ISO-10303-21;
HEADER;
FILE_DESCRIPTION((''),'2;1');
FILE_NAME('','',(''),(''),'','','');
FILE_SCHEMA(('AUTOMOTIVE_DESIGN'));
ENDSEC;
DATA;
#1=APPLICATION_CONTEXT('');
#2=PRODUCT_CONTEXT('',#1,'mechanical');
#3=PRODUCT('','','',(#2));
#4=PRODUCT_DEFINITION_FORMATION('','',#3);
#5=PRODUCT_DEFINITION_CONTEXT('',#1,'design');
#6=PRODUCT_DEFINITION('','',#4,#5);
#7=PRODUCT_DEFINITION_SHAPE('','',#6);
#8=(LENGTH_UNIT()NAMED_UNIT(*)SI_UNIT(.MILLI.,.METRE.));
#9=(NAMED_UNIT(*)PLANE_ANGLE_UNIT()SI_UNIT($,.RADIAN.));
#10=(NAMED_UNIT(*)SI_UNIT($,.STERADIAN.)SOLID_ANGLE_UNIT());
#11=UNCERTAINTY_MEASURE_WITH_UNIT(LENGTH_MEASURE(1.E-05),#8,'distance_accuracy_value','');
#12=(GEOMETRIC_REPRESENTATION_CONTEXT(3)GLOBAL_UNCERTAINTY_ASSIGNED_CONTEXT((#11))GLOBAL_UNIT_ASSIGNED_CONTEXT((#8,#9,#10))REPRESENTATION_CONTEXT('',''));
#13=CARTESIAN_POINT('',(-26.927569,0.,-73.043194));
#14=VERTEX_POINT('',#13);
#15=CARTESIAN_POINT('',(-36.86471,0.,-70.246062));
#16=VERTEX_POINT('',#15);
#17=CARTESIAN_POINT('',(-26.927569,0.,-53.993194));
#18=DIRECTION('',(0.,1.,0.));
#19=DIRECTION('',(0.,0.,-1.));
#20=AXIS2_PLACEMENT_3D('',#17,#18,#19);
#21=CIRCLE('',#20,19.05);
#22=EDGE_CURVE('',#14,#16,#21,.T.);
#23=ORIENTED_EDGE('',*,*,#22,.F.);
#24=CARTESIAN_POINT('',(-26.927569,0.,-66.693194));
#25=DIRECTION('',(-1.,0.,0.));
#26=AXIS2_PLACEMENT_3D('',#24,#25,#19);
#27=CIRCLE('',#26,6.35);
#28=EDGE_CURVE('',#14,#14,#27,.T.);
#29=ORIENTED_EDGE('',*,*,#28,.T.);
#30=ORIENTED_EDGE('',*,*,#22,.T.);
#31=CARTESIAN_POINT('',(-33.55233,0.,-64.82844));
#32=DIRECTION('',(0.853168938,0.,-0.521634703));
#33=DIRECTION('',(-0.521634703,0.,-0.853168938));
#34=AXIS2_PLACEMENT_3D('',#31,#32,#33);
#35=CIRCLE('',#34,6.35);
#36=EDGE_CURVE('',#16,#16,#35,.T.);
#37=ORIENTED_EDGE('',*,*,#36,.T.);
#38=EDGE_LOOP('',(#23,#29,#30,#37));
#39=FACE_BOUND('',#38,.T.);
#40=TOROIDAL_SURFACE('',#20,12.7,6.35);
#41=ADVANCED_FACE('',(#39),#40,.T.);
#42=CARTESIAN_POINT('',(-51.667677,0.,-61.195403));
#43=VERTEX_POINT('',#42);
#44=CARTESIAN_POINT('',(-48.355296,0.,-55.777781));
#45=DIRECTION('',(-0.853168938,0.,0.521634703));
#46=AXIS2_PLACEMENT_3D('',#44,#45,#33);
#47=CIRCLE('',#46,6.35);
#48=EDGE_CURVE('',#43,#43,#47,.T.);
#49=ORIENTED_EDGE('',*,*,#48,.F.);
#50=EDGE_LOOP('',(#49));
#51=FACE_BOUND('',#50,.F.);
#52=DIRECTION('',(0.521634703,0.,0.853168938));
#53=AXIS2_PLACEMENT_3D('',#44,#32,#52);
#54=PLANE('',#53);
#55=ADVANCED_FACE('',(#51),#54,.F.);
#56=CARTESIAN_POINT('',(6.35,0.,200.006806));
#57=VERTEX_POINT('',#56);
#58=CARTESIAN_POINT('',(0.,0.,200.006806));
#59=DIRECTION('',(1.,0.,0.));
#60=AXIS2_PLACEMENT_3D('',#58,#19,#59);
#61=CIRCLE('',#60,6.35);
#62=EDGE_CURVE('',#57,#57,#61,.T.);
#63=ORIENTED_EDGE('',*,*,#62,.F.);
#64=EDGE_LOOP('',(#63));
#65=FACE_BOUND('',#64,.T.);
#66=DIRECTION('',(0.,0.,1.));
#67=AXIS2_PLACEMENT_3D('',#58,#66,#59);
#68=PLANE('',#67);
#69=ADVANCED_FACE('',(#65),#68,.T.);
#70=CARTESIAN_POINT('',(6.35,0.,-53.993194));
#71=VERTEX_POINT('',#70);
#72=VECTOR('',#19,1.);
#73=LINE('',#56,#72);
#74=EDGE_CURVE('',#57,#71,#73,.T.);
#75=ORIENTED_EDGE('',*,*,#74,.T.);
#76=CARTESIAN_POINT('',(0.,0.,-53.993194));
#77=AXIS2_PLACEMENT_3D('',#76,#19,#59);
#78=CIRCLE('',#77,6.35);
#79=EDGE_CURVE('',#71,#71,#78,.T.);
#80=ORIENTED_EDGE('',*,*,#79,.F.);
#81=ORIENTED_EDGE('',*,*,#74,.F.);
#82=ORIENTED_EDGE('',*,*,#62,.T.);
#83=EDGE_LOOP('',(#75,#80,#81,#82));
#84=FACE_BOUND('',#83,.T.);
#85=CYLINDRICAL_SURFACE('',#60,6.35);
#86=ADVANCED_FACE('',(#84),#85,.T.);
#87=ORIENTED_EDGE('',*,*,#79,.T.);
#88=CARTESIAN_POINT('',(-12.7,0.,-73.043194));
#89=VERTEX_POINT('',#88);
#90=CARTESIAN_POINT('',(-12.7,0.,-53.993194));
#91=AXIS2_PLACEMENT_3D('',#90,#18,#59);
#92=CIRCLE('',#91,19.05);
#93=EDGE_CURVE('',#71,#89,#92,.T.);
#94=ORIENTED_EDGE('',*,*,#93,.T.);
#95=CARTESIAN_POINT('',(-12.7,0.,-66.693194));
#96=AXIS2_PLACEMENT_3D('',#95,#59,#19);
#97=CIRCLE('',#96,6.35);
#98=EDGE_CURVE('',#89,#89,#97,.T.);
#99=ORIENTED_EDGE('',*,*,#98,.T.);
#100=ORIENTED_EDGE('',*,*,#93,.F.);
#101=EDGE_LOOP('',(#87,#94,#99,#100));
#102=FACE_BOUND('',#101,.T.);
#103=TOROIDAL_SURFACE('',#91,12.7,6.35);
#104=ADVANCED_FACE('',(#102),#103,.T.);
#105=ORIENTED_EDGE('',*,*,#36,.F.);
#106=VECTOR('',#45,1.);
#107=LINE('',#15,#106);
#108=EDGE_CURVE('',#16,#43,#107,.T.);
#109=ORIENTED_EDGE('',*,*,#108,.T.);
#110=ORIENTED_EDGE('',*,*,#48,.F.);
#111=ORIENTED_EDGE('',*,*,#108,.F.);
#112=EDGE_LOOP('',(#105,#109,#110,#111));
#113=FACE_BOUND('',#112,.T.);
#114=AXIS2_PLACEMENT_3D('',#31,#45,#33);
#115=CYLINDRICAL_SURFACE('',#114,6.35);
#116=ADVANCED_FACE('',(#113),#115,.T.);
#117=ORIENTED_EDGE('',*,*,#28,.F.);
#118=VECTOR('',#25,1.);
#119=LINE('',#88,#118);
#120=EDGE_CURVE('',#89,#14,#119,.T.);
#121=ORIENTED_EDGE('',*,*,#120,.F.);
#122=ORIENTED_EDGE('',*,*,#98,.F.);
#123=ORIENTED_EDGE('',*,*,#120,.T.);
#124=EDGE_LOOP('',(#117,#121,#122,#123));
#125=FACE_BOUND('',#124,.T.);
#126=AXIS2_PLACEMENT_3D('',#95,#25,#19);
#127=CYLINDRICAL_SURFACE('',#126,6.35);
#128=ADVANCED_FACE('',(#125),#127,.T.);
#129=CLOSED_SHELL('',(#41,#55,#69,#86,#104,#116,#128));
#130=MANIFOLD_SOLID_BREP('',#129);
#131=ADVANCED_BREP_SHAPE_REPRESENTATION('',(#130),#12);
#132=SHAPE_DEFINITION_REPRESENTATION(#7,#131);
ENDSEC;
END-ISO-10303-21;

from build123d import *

# Parameters (mm, degrees)
F2_R = 6.35


with BuildPart() as f3:
    # F3: sweep along a path in F0
    with BuildLine(Plane.XZ) as f3_path:
        Line((0, 200.0068057895), (0, -53.9931942105))
        ThreePointArc((0, -53.9931942105), (-3.7197438789, -62.9734503316), (-12.7, -66.6931942105))
        Line((-12.7, -66.6931942105), (-26.9275688326, -66.6931942105))
        ThreePointArc((-26.9275688326, -66.6931942105), (-30.3686719993, -66.2181199361), (-33.5523295612, -64.8284397218))
        Line((-33.5523295612, -64.8284397218), (-48.3552962542, -55.7777807117))
    # F2 (on plane+point) → F3 (sweep)
    with BuildSketch(Plane.XY.offset(200.0068057895)):
        Circle(F2_R)
    sweep(path=f3_path.line)


solid = f3.part
